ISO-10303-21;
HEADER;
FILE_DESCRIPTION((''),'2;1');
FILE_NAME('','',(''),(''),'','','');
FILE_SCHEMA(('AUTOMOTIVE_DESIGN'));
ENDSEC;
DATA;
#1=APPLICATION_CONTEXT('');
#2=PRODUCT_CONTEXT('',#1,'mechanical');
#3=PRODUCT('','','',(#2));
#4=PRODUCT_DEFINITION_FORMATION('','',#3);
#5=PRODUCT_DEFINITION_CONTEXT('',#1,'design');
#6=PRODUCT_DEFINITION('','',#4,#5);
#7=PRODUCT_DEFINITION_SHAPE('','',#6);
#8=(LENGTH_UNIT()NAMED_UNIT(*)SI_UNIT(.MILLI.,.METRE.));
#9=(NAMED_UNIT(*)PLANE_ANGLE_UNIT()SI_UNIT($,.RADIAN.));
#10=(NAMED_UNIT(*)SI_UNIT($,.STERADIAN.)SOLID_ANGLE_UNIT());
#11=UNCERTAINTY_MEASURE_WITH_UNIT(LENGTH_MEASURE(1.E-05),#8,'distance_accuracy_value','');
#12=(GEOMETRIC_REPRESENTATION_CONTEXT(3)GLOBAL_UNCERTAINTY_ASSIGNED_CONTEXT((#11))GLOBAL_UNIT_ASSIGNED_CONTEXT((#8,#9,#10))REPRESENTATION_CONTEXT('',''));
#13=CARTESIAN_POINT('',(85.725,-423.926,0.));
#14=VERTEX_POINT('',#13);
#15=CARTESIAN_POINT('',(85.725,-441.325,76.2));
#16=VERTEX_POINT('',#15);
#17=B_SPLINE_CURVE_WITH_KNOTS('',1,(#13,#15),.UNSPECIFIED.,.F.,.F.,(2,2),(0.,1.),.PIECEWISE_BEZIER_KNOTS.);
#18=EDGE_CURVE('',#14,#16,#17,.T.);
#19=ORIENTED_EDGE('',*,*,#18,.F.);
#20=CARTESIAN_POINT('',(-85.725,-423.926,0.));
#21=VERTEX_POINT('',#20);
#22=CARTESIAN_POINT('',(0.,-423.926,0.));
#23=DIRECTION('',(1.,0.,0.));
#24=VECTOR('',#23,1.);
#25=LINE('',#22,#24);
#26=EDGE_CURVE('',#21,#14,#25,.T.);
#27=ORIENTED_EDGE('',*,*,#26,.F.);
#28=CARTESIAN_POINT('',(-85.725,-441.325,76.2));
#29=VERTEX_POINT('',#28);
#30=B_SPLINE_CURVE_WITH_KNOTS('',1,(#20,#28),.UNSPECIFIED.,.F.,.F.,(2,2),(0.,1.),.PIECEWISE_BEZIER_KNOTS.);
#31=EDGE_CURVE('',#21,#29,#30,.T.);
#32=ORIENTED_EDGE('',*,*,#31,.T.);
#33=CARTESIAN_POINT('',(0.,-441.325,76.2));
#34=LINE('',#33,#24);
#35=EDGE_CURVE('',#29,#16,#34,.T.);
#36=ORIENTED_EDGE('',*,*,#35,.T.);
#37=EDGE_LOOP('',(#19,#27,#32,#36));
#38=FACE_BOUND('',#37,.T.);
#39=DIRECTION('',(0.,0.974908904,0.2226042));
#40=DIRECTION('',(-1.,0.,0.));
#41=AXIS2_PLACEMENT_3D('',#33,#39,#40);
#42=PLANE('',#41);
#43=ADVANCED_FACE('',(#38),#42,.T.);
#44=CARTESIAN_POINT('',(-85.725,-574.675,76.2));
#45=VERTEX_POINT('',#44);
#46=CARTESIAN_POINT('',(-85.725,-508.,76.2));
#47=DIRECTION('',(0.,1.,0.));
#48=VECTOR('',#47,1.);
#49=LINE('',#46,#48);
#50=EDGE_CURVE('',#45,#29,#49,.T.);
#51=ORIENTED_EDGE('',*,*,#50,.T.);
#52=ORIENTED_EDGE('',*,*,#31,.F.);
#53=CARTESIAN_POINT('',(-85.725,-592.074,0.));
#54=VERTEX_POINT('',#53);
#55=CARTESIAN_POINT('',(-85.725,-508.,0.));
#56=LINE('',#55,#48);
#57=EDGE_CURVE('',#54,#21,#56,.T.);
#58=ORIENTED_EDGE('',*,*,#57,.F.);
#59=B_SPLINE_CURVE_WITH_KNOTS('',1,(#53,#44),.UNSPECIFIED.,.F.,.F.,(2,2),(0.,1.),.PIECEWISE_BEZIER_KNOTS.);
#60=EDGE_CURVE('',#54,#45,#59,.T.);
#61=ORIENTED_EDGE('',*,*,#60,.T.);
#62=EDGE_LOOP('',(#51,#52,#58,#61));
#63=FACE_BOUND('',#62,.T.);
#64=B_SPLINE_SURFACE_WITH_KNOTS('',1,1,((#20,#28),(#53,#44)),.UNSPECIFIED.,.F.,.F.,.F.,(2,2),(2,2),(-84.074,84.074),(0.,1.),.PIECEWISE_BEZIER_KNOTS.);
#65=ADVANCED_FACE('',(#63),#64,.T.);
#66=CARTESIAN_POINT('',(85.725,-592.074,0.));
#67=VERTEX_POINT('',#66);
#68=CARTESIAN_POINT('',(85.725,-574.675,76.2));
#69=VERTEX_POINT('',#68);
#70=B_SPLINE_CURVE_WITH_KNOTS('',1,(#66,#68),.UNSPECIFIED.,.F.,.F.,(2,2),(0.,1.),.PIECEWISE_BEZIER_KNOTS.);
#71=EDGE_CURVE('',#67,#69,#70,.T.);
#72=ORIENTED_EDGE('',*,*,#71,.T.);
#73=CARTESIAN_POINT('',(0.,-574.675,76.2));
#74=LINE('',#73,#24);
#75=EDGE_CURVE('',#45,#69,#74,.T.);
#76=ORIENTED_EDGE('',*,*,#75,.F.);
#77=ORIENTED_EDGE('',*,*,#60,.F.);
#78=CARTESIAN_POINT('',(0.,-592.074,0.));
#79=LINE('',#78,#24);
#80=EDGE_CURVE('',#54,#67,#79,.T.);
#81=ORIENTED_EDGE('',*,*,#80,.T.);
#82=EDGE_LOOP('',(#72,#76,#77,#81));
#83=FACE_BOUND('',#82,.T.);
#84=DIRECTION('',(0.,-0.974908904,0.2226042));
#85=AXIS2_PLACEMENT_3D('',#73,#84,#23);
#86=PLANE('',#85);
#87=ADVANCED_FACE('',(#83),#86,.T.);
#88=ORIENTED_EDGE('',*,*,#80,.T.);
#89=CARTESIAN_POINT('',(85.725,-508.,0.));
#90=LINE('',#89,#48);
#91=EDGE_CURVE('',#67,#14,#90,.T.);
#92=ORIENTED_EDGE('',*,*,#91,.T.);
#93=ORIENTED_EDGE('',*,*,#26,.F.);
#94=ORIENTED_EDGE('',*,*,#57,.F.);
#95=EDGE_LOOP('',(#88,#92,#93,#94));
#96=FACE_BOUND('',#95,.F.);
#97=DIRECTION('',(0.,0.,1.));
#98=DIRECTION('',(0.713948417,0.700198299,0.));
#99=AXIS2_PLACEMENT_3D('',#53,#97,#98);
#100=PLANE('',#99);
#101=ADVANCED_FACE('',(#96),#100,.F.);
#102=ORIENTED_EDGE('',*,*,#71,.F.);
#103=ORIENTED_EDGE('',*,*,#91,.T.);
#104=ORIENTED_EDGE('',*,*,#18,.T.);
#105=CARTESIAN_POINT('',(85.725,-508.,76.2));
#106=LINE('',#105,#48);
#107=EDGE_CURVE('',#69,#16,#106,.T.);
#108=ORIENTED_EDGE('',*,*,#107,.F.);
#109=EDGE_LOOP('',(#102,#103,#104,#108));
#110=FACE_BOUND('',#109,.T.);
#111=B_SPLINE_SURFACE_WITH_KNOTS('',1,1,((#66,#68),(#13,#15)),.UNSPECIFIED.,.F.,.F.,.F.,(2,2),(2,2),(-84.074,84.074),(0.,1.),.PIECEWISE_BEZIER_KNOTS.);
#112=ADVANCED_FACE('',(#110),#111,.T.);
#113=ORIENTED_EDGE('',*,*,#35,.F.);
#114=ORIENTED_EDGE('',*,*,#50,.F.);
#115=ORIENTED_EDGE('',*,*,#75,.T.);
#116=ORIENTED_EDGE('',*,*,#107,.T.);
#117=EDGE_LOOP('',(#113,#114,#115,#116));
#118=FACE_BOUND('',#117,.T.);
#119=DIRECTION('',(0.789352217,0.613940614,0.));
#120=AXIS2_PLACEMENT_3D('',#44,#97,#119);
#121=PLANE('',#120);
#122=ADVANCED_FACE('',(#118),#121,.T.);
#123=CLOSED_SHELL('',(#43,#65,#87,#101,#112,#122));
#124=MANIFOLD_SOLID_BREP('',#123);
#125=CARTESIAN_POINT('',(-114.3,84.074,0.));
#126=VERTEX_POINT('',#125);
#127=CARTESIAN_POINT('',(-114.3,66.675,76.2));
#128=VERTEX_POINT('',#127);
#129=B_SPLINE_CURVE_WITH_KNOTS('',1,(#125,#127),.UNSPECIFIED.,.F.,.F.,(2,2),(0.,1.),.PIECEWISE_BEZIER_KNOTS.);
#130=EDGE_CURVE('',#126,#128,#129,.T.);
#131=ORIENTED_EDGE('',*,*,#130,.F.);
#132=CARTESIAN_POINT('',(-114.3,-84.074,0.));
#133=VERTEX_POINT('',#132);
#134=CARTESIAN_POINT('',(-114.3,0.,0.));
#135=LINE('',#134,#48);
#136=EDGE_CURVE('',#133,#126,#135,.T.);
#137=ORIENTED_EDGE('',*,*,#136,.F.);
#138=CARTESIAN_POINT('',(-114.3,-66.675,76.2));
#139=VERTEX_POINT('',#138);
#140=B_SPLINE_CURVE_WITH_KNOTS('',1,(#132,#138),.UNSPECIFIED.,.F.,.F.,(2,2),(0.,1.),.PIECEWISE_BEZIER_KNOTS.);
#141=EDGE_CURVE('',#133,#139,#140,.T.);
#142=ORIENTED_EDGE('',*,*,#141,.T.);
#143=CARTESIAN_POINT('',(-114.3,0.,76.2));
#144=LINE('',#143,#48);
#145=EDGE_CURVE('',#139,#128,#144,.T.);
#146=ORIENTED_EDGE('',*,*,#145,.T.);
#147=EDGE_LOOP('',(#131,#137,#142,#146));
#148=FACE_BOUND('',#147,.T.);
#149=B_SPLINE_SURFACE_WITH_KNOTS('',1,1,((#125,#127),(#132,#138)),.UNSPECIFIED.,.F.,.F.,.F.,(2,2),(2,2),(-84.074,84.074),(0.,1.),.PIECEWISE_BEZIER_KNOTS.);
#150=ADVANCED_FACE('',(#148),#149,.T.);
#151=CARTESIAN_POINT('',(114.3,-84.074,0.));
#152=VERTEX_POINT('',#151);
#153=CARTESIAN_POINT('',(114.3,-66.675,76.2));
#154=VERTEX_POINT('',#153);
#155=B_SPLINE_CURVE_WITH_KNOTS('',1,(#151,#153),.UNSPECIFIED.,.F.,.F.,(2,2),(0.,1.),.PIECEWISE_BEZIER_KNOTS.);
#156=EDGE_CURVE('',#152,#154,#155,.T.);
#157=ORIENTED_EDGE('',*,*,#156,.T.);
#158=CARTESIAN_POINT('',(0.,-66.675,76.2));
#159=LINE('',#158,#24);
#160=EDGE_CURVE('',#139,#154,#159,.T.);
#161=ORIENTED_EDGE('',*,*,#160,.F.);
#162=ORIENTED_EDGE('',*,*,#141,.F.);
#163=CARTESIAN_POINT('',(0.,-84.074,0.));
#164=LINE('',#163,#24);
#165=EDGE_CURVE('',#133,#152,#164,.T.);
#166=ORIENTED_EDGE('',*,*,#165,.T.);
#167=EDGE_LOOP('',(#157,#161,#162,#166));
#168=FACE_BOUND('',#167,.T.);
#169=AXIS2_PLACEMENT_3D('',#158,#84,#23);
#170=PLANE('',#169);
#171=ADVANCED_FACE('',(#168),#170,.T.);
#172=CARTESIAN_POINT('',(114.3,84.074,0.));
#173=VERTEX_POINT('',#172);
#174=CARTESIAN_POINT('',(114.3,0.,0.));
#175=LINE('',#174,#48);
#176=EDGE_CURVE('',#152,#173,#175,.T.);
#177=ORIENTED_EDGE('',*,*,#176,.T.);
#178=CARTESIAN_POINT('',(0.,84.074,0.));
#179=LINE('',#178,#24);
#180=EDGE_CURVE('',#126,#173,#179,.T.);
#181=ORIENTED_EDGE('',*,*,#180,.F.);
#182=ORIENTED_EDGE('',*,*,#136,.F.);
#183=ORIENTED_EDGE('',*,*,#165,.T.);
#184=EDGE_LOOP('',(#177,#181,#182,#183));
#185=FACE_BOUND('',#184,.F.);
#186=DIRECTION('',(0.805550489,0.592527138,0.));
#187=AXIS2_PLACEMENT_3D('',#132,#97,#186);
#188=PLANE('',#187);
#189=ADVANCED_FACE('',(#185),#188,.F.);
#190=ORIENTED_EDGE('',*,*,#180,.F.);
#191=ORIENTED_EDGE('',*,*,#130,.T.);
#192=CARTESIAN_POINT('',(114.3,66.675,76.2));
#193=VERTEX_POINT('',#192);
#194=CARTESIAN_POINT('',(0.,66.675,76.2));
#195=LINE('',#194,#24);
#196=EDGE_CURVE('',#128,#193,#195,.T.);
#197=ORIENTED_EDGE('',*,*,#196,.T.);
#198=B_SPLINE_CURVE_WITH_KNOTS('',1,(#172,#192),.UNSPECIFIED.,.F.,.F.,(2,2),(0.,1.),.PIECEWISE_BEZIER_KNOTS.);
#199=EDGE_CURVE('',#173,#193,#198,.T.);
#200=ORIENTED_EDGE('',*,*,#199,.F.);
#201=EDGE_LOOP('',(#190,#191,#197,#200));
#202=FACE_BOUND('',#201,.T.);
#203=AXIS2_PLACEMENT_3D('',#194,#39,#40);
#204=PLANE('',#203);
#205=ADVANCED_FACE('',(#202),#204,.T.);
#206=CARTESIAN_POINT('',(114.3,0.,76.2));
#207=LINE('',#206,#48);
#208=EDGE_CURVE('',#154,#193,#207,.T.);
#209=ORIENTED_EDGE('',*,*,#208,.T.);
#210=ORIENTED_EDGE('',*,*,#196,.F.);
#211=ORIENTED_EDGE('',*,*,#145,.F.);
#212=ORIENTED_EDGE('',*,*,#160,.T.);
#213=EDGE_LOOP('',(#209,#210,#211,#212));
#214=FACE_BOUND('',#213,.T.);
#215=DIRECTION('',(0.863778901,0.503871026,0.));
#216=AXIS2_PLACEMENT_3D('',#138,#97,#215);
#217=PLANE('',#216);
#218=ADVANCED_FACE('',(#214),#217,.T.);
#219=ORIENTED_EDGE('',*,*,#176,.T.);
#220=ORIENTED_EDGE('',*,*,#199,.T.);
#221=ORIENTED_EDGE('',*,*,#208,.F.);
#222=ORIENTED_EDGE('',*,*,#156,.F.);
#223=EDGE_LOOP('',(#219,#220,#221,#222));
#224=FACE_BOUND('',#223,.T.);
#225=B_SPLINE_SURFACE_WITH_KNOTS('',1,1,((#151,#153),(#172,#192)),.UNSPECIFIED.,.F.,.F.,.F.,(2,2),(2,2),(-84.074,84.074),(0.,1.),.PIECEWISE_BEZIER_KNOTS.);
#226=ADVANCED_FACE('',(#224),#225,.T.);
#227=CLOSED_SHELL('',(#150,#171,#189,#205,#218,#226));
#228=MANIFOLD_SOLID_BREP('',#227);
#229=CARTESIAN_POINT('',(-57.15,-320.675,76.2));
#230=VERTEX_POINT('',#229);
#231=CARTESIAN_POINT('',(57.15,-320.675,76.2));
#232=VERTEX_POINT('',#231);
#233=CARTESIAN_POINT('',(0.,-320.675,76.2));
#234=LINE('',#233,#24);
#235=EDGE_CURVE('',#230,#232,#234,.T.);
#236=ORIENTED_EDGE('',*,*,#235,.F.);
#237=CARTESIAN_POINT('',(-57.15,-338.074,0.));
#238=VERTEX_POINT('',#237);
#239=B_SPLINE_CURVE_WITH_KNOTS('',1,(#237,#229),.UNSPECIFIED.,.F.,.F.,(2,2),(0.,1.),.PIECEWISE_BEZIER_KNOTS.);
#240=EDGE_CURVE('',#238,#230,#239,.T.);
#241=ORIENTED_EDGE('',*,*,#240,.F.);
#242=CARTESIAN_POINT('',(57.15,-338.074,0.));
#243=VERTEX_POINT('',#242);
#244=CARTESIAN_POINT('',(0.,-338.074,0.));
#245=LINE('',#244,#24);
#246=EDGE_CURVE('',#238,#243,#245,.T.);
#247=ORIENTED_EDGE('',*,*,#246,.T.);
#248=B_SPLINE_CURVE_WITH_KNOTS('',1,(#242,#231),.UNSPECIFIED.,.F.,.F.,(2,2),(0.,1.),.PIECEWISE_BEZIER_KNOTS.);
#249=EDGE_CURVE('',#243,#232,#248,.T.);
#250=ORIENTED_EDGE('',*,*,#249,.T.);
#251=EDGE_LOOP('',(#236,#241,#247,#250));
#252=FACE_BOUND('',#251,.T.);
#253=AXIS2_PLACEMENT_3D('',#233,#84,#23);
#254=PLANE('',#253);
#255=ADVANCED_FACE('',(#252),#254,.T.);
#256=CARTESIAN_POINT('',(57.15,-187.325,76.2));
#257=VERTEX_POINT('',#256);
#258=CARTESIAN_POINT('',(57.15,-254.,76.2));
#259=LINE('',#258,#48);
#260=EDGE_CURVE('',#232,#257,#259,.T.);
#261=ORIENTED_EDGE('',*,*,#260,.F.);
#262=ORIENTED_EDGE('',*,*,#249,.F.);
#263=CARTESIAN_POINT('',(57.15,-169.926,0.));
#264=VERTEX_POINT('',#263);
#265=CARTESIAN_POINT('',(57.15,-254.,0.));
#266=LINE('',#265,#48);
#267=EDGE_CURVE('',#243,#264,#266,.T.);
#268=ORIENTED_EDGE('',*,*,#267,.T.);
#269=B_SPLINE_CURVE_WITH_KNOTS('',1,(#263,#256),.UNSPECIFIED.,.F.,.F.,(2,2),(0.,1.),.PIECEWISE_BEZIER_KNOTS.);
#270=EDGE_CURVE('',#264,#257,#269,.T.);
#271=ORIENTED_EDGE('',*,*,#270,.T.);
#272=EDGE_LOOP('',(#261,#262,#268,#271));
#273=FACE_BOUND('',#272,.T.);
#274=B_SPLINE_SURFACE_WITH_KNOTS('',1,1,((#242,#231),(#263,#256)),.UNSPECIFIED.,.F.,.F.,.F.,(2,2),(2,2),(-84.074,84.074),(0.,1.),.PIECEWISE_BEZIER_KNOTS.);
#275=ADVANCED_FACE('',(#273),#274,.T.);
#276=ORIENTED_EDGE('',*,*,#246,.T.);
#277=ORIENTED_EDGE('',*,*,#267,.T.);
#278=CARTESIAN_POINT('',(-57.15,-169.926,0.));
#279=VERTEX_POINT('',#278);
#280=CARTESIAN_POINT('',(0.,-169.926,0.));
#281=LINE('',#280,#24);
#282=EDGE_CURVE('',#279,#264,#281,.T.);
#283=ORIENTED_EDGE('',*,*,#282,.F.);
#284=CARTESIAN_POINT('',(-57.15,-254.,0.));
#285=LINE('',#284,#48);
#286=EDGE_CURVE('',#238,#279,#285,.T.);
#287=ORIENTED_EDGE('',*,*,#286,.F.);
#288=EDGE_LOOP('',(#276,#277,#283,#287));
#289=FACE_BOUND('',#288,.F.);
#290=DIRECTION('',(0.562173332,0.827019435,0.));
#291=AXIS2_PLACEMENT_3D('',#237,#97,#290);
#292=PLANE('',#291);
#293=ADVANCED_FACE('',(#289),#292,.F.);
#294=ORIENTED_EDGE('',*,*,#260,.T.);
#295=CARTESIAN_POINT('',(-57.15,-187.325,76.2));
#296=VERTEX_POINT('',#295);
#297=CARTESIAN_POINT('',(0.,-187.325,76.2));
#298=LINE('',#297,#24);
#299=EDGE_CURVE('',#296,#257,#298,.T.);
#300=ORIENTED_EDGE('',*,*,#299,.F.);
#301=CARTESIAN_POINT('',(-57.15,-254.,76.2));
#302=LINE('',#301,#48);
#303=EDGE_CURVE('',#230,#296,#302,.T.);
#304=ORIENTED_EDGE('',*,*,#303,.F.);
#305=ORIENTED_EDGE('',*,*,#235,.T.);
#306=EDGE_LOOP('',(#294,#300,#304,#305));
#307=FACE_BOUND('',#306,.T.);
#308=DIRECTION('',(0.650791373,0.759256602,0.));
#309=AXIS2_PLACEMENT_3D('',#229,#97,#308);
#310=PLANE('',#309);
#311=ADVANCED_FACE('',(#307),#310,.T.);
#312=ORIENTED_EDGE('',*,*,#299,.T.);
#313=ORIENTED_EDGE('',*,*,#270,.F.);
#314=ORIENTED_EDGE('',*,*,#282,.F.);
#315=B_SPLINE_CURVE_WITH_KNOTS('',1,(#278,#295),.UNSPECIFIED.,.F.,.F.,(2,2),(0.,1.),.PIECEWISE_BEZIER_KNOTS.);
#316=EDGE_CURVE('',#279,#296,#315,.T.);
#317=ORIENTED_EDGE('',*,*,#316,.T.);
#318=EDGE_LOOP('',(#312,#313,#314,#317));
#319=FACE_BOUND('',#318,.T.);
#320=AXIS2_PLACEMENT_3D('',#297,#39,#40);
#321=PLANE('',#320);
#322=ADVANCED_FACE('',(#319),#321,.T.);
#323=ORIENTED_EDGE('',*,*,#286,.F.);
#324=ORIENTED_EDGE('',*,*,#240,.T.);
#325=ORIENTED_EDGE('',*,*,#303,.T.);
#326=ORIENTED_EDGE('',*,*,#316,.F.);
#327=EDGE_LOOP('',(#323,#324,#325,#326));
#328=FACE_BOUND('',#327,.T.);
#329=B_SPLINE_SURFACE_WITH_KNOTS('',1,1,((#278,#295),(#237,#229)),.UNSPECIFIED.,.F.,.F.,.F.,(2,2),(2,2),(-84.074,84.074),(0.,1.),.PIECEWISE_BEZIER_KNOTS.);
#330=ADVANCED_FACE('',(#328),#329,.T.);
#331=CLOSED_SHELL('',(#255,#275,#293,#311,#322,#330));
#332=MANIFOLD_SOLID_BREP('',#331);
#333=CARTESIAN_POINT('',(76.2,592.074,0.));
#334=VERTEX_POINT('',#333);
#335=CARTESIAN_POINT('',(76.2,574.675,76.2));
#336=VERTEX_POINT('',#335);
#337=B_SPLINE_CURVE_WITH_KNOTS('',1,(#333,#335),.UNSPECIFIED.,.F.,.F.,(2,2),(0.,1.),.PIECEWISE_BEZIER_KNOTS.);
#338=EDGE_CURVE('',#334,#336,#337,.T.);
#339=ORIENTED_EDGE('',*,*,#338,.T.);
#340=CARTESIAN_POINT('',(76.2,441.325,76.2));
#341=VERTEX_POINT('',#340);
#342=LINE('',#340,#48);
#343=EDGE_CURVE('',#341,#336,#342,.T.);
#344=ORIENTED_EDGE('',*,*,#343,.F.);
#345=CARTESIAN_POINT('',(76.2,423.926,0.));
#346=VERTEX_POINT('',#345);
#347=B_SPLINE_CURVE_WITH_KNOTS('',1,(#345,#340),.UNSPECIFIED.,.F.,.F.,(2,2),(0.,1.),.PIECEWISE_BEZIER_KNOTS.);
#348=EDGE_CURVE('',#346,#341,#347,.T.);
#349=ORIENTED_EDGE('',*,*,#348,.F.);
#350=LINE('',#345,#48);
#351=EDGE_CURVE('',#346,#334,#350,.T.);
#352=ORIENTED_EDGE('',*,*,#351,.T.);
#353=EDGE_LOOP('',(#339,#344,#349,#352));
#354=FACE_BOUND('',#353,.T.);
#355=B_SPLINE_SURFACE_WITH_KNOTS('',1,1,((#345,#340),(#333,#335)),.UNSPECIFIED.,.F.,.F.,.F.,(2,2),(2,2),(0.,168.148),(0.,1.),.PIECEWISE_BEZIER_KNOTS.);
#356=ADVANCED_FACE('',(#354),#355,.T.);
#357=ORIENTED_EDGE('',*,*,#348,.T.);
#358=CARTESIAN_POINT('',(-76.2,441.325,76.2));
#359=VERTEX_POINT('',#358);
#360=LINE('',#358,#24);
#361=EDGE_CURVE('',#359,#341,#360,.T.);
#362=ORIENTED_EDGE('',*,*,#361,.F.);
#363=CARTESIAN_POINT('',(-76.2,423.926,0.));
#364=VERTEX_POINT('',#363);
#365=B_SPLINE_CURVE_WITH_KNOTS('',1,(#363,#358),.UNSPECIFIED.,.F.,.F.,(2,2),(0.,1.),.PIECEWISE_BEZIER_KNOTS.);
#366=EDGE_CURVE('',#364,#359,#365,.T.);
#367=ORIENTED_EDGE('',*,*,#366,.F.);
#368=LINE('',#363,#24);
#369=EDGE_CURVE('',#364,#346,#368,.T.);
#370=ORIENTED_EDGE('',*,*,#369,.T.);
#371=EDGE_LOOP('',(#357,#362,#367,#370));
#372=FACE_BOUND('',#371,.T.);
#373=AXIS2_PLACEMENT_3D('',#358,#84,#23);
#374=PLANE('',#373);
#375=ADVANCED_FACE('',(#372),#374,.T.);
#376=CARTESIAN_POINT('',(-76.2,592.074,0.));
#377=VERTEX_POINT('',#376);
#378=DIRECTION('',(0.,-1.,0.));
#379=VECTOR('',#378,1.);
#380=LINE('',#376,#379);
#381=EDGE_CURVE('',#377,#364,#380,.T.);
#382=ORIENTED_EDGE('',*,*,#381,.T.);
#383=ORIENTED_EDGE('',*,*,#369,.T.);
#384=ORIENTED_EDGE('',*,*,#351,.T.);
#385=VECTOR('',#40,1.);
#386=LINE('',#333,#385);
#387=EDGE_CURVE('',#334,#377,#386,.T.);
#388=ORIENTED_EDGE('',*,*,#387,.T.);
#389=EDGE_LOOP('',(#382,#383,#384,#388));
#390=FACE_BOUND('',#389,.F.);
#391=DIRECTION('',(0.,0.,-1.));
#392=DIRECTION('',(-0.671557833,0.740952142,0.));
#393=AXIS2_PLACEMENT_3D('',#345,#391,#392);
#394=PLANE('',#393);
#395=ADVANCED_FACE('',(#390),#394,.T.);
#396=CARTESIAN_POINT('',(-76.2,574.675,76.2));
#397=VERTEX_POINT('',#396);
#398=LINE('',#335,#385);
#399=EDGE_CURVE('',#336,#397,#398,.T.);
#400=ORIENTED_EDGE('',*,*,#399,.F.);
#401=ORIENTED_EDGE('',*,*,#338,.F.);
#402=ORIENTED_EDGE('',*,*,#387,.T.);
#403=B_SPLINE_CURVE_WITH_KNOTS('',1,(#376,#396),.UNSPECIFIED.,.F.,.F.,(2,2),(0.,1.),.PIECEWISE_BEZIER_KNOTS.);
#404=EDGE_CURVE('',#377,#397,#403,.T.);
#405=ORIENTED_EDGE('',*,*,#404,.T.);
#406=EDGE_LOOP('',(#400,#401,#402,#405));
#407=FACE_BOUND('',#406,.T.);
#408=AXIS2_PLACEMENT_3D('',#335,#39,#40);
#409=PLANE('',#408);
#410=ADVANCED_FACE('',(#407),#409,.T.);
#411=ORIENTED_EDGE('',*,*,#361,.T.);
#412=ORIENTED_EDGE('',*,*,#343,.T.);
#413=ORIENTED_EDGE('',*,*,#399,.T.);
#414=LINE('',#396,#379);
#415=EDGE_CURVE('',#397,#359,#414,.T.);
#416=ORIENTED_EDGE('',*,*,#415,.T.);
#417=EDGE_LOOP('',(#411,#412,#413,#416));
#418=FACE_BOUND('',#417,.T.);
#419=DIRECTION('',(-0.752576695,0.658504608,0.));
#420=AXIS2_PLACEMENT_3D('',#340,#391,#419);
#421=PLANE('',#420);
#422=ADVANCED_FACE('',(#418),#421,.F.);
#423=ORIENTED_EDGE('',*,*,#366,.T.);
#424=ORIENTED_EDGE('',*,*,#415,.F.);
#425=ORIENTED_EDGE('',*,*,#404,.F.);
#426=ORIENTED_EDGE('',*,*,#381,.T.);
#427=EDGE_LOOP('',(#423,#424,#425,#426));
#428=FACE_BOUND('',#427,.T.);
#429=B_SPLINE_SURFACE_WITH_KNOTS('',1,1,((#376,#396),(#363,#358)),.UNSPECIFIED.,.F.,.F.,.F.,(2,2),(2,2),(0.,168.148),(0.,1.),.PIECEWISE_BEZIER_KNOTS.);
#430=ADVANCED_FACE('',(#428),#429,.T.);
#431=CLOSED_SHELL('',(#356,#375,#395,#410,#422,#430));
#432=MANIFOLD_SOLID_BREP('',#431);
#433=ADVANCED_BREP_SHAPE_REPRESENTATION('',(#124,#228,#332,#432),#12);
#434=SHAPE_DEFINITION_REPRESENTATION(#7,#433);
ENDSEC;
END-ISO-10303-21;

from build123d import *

# Parameters (mm, degrees)
F0_W   = 228.6
F0_H   = 168.148
F2_W   = 228.6
F2_H   = 133.35
F0_W_2 = 114.3
F2_W_2 = 114.3
F0_W_3 = 171.45
F2_W_3 = 171.45


with BuildPart() as f3:
    # F0 (on Top) → F3 section 0
    with BuildSketch(Plane.XY):
        Rectangle(F0_W, F0_H)
    # F2 (on offset) → F3 section 1
    with BuildSketch(Plane.XY.offset(76.2)):
        Rectangle(F2_W, F2_H)
    loft()


with BuildPart() as f4:
    # F0 (on Top) → F4 section 0
    with BuildSketch(Plane.XY):
        with Locations((0, -254)):
            Rectangle(F0_W_2, F0_H)
    # F2 (on offset) → F4 section 1
    with BuildSketch(Plane.XY.offset(76.2)):
        with Locations((0, -254)):
            Rectangle(F2_W_2, F2_H)
    loft()


with BuildPart() as f5:
    # F0 (on Top) → F5 section 0
    with BuildSketch(Plane.XY):
        with Locations((0, -508)):
            Rectangle(F0_W_3, F0_H)
    # F2 (on offset) → F5 section 1
    with BuildSketch(Plane.XY.offset(76.2)):
        with Locations((0, -508)):
            Rectangle(F2_W_3, F2_H)
    loft()


with BuildPart() as f6:
    # F0 (on Top) → F6 section 0
    with BuildSketch(Plane.XY):
        Polygon((0, 423.926), (76.2, 423.926), (76.2, 592.074), (-76.2, 592.074), (-76.2, 423.926), align=None)
    # F2 (on offset) → F6 section 1
    with BuildSketch(Plane.XY.offset(76.2)):
        Polygon((0, 441.325), (76.2, 441.325), (76.2, 574.675), (-76.2, 574.675), (-76.2, 441.325), align=None)
    loft()


solid = Compound([f3.part, f4.part, f5.part, f6.part])
